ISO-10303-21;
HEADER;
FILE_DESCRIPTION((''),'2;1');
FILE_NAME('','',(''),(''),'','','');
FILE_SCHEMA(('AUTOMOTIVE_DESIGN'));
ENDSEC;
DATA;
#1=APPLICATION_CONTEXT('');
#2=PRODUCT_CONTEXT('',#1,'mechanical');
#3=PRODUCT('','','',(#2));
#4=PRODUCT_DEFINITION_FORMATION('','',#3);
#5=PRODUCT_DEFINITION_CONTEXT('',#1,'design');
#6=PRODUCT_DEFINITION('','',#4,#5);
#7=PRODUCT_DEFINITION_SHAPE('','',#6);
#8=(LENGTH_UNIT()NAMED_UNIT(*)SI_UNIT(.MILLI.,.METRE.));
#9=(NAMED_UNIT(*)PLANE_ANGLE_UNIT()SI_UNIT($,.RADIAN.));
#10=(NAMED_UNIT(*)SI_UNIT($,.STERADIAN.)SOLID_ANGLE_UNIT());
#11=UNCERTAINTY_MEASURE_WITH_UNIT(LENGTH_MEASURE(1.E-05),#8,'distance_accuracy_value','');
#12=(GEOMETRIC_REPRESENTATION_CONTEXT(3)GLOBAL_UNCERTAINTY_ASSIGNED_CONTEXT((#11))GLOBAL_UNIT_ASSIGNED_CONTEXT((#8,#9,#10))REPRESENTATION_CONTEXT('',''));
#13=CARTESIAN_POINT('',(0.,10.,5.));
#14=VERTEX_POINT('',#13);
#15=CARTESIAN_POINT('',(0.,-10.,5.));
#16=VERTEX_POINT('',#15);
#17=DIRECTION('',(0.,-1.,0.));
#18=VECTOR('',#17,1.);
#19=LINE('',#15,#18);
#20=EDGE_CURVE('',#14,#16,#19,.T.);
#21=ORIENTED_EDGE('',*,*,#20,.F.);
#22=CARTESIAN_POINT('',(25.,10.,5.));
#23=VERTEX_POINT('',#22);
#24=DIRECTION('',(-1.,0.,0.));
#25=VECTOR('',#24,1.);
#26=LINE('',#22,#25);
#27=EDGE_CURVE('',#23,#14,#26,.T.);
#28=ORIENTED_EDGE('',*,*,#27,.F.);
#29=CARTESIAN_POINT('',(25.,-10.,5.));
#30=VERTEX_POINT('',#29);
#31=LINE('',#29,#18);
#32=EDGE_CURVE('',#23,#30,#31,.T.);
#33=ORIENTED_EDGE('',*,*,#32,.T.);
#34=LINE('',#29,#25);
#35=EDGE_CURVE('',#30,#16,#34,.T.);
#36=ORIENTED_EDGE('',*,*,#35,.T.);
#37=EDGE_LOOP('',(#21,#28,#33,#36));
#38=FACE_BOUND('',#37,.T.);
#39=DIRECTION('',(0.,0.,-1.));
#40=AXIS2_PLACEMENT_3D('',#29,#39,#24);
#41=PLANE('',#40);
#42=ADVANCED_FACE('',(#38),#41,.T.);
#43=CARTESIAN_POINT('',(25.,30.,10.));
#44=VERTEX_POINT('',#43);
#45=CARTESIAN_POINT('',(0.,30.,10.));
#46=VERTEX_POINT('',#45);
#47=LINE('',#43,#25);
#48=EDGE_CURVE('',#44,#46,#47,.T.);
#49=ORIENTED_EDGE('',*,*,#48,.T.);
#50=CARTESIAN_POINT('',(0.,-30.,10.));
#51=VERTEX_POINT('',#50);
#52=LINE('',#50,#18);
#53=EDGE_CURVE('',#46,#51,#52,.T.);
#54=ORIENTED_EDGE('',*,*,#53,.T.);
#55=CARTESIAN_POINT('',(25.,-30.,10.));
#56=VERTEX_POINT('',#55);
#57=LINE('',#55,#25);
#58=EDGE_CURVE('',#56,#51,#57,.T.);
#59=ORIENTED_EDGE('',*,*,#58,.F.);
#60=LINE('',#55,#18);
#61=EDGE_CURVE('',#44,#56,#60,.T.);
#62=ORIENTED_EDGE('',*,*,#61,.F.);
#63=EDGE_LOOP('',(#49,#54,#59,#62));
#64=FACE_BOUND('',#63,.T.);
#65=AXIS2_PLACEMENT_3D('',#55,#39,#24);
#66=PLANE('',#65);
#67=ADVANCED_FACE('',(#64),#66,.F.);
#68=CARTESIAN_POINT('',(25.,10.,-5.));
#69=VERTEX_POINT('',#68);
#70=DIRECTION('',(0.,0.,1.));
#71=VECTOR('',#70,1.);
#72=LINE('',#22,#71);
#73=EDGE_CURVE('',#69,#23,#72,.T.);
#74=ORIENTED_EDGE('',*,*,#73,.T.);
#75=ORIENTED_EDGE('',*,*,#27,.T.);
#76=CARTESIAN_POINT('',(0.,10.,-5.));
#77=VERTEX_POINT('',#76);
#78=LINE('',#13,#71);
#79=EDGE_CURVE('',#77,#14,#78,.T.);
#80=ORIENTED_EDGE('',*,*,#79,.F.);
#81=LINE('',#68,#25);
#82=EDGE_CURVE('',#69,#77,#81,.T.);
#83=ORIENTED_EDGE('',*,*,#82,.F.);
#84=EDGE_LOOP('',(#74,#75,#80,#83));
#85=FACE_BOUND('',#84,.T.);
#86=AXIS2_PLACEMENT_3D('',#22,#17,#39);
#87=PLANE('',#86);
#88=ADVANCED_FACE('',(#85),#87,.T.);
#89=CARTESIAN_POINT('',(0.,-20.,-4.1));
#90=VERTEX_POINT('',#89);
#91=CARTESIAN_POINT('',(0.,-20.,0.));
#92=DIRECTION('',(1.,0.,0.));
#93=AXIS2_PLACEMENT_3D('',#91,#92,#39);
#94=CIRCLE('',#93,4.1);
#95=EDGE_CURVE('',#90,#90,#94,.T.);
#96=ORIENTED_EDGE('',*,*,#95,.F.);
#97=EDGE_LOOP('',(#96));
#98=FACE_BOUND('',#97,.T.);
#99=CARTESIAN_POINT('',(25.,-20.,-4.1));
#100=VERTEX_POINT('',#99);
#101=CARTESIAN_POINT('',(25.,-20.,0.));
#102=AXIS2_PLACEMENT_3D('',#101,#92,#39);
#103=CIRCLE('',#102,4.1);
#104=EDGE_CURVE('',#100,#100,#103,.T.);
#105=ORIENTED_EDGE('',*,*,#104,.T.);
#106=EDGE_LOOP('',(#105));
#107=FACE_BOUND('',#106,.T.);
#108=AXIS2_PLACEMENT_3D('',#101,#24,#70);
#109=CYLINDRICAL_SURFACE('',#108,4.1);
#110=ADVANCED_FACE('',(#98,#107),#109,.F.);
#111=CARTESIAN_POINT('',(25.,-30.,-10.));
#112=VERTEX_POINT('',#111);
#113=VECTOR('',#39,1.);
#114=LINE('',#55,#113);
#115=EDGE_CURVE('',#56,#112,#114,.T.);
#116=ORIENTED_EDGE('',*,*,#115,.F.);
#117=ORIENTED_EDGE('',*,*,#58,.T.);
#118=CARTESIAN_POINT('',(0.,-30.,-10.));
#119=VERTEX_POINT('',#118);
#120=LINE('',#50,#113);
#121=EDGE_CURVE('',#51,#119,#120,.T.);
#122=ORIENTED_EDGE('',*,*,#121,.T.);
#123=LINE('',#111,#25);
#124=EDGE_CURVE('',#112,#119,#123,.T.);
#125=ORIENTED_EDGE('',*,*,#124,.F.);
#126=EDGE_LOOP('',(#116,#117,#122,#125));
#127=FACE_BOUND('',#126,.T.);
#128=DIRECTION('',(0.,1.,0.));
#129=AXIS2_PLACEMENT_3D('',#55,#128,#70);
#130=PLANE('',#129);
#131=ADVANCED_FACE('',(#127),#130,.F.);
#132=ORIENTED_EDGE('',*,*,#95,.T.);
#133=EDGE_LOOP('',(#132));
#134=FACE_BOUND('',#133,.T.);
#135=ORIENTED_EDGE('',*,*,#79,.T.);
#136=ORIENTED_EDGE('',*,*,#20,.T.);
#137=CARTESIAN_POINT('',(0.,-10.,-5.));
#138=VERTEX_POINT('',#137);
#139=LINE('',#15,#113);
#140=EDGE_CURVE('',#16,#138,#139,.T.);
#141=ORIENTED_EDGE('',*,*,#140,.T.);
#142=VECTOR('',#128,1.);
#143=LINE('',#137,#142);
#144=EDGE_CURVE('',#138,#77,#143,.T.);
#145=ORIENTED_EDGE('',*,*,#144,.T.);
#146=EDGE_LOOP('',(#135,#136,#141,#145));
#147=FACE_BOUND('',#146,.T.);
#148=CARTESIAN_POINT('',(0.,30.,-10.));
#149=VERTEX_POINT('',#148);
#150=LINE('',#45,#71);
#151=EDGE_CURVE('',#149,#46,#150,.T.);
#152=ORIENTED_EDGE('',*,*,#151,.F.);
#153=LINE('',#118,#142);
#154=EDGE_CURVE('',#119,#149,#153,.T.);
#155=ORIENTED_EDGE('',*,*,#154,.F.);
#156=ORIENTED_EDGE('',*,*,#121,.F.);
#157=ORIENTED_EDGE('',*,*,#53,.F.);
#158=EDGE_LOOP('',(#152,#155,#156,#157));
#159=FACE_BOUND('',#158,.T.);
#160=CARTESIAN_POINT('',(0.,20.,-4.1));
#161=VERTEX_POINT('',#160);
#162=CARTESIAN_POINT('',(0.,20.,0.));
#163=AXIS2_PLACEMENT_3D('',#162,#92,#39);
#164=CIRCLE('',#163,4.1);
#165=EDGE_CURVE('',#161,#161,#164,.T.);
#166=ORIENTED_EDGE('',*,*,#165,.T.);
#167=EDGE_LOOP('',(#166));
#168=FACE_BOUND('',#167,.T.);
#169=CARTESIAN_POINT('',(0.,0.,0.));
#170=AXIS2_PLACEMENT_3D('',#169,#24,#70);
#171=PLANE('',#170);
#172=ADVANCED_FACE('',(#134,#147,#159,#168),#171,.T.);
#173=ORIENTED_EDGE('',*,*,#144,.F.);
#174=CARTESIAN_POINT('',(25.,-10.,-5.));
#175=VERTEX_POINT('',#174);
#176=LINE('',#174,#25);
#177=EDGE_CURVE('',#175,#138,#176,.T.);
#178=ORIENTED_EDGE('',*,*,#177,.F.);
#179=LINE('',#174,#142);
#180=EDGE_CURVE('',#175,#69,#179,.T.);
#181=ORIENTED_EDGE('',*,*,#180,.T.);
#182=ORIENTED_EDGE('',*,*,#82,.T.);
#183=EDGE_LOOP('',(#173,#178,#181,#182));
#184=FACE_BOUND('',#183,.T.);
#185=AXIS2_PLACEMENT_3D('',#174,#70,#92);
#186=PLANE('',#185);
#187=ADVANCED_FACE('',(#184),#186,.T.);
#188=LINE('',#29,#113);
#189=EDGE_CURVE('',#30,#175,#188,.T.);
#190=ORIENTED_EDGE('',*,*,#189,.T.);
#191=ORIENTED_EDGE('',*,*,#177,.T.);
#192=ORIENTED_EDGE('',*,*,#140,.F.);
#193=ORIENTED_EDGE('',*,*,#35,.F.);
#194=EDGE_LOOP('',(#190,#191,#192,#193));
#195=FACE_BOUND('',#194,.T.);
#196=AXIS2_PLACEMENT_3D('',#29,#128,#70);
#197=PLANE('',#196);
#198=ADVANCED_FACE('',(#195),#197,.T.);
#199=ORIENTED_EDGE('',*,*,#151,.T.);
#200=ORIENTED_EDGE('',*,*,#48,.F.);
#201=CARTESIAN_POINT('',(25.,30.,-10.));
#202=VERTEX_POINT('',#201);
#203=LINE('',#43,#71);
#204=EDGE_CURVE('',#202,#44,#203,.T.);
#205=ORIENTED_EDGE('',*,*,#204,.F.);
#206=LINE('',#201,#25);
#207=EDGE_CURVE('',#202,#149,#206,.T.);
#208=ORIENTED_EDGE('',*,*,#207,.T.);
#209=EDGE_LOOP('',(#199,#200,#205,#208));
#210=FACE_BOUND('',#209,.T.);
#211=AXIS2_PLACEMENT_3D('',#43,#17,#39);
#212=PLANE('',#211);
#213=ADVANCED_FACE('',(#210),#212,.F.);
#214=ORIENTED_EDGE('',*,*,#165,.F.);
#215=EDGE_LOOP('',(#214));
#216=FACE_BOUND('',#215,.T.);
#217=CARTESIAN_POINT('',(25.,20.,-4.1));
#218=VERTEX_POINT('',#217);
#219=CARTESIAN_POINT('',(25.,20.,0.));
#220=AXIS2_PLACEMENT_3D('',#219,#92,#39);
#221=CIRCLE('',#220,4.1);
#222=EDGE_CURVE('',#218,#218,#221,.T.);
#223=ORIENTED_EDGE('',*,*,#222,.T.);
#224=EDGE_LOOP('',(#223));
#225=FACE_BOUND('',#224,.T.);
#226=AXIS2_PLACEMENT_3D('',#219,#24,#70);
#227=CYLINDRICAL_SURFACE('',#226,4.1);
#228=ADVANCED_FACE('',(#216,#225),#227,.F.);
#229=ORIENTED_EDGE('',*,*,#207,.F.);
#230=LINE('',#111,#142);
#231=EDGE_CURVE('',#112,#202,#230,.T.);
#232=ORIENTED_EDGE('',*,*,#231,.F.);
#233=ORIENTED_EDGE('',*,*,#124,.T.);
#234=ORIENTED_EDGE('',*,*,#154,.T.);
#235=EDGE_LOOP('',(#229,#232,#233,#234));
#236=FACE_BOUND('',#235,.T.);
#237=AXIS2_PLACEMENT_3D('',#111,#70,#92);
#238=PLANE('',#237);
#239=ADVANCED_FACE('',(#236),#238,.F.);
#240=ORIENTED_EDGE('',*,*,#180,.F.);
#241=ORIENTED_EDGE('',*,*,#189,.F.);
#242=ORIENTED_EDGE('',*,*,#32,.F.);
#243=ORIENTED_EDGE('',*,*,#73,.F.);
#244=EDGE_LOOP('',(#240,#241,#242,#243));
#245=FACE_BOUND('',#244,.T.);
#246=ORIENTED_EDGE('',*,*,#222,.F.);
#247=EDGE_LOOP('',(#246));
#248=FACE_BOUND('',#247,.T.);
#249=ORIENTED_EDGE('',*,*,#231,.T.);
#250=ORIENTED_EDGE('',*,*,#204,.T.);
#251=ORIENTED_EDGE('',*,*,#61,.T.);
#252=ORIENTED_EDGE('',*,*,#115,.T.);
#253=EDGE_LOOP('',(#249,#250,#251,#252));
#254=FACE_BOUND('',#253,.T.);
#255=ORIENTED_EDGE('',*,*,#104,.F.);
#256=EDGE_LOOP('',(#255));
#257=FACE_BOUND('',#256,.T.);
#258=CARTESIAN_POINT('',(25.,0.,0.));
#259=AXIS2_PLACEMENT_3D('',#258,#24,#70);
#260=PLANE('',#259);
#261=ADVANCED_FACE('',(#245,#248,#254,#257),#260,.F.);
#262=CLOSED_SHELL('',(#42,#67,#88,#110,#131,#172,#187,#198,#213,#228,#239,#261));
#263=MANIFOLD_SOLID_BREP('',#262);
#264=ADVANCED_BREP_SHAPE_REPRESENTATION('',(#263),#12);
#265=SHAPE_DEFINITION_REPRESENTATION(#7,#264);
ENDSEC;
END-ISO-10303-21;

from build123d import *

# Parameters (mm, degrees)
SKETCH1_W           = 20
SKETCH1_H           = 60
SKETCH1_R           = 4.1
SKETCH1_W_2         = 10
SKETCH1_H_2         = 20
BOSS_EXTRUDE1_DEPTH = 25


with BuildPart() as part:
    # Sketch1 → Boss-Extrude1 (new body)
    with BuildSketch(Plane(origin=(0, 0, 0), x_dir=(0, 0, -1), z_dir=(1, 0, 0))):
        Rectangle(SKETCH1_W, SKETCH1_H)
        with Locations((0, 20)):
            Circle(SKETCH1_R, mode=Mode.SUBTRACT)
        with Locations((0, -20)):
            Circle(SKETCH1_R, mode=Mode.SUBTRACT)
        Rectangle(SKETCH1_W_2, SKETCH1_H_2, mode=Mode.SUBTRACT)
    extrude(amount=BOSS_EXTRUDE1_DEPTH)


solid = part.part
